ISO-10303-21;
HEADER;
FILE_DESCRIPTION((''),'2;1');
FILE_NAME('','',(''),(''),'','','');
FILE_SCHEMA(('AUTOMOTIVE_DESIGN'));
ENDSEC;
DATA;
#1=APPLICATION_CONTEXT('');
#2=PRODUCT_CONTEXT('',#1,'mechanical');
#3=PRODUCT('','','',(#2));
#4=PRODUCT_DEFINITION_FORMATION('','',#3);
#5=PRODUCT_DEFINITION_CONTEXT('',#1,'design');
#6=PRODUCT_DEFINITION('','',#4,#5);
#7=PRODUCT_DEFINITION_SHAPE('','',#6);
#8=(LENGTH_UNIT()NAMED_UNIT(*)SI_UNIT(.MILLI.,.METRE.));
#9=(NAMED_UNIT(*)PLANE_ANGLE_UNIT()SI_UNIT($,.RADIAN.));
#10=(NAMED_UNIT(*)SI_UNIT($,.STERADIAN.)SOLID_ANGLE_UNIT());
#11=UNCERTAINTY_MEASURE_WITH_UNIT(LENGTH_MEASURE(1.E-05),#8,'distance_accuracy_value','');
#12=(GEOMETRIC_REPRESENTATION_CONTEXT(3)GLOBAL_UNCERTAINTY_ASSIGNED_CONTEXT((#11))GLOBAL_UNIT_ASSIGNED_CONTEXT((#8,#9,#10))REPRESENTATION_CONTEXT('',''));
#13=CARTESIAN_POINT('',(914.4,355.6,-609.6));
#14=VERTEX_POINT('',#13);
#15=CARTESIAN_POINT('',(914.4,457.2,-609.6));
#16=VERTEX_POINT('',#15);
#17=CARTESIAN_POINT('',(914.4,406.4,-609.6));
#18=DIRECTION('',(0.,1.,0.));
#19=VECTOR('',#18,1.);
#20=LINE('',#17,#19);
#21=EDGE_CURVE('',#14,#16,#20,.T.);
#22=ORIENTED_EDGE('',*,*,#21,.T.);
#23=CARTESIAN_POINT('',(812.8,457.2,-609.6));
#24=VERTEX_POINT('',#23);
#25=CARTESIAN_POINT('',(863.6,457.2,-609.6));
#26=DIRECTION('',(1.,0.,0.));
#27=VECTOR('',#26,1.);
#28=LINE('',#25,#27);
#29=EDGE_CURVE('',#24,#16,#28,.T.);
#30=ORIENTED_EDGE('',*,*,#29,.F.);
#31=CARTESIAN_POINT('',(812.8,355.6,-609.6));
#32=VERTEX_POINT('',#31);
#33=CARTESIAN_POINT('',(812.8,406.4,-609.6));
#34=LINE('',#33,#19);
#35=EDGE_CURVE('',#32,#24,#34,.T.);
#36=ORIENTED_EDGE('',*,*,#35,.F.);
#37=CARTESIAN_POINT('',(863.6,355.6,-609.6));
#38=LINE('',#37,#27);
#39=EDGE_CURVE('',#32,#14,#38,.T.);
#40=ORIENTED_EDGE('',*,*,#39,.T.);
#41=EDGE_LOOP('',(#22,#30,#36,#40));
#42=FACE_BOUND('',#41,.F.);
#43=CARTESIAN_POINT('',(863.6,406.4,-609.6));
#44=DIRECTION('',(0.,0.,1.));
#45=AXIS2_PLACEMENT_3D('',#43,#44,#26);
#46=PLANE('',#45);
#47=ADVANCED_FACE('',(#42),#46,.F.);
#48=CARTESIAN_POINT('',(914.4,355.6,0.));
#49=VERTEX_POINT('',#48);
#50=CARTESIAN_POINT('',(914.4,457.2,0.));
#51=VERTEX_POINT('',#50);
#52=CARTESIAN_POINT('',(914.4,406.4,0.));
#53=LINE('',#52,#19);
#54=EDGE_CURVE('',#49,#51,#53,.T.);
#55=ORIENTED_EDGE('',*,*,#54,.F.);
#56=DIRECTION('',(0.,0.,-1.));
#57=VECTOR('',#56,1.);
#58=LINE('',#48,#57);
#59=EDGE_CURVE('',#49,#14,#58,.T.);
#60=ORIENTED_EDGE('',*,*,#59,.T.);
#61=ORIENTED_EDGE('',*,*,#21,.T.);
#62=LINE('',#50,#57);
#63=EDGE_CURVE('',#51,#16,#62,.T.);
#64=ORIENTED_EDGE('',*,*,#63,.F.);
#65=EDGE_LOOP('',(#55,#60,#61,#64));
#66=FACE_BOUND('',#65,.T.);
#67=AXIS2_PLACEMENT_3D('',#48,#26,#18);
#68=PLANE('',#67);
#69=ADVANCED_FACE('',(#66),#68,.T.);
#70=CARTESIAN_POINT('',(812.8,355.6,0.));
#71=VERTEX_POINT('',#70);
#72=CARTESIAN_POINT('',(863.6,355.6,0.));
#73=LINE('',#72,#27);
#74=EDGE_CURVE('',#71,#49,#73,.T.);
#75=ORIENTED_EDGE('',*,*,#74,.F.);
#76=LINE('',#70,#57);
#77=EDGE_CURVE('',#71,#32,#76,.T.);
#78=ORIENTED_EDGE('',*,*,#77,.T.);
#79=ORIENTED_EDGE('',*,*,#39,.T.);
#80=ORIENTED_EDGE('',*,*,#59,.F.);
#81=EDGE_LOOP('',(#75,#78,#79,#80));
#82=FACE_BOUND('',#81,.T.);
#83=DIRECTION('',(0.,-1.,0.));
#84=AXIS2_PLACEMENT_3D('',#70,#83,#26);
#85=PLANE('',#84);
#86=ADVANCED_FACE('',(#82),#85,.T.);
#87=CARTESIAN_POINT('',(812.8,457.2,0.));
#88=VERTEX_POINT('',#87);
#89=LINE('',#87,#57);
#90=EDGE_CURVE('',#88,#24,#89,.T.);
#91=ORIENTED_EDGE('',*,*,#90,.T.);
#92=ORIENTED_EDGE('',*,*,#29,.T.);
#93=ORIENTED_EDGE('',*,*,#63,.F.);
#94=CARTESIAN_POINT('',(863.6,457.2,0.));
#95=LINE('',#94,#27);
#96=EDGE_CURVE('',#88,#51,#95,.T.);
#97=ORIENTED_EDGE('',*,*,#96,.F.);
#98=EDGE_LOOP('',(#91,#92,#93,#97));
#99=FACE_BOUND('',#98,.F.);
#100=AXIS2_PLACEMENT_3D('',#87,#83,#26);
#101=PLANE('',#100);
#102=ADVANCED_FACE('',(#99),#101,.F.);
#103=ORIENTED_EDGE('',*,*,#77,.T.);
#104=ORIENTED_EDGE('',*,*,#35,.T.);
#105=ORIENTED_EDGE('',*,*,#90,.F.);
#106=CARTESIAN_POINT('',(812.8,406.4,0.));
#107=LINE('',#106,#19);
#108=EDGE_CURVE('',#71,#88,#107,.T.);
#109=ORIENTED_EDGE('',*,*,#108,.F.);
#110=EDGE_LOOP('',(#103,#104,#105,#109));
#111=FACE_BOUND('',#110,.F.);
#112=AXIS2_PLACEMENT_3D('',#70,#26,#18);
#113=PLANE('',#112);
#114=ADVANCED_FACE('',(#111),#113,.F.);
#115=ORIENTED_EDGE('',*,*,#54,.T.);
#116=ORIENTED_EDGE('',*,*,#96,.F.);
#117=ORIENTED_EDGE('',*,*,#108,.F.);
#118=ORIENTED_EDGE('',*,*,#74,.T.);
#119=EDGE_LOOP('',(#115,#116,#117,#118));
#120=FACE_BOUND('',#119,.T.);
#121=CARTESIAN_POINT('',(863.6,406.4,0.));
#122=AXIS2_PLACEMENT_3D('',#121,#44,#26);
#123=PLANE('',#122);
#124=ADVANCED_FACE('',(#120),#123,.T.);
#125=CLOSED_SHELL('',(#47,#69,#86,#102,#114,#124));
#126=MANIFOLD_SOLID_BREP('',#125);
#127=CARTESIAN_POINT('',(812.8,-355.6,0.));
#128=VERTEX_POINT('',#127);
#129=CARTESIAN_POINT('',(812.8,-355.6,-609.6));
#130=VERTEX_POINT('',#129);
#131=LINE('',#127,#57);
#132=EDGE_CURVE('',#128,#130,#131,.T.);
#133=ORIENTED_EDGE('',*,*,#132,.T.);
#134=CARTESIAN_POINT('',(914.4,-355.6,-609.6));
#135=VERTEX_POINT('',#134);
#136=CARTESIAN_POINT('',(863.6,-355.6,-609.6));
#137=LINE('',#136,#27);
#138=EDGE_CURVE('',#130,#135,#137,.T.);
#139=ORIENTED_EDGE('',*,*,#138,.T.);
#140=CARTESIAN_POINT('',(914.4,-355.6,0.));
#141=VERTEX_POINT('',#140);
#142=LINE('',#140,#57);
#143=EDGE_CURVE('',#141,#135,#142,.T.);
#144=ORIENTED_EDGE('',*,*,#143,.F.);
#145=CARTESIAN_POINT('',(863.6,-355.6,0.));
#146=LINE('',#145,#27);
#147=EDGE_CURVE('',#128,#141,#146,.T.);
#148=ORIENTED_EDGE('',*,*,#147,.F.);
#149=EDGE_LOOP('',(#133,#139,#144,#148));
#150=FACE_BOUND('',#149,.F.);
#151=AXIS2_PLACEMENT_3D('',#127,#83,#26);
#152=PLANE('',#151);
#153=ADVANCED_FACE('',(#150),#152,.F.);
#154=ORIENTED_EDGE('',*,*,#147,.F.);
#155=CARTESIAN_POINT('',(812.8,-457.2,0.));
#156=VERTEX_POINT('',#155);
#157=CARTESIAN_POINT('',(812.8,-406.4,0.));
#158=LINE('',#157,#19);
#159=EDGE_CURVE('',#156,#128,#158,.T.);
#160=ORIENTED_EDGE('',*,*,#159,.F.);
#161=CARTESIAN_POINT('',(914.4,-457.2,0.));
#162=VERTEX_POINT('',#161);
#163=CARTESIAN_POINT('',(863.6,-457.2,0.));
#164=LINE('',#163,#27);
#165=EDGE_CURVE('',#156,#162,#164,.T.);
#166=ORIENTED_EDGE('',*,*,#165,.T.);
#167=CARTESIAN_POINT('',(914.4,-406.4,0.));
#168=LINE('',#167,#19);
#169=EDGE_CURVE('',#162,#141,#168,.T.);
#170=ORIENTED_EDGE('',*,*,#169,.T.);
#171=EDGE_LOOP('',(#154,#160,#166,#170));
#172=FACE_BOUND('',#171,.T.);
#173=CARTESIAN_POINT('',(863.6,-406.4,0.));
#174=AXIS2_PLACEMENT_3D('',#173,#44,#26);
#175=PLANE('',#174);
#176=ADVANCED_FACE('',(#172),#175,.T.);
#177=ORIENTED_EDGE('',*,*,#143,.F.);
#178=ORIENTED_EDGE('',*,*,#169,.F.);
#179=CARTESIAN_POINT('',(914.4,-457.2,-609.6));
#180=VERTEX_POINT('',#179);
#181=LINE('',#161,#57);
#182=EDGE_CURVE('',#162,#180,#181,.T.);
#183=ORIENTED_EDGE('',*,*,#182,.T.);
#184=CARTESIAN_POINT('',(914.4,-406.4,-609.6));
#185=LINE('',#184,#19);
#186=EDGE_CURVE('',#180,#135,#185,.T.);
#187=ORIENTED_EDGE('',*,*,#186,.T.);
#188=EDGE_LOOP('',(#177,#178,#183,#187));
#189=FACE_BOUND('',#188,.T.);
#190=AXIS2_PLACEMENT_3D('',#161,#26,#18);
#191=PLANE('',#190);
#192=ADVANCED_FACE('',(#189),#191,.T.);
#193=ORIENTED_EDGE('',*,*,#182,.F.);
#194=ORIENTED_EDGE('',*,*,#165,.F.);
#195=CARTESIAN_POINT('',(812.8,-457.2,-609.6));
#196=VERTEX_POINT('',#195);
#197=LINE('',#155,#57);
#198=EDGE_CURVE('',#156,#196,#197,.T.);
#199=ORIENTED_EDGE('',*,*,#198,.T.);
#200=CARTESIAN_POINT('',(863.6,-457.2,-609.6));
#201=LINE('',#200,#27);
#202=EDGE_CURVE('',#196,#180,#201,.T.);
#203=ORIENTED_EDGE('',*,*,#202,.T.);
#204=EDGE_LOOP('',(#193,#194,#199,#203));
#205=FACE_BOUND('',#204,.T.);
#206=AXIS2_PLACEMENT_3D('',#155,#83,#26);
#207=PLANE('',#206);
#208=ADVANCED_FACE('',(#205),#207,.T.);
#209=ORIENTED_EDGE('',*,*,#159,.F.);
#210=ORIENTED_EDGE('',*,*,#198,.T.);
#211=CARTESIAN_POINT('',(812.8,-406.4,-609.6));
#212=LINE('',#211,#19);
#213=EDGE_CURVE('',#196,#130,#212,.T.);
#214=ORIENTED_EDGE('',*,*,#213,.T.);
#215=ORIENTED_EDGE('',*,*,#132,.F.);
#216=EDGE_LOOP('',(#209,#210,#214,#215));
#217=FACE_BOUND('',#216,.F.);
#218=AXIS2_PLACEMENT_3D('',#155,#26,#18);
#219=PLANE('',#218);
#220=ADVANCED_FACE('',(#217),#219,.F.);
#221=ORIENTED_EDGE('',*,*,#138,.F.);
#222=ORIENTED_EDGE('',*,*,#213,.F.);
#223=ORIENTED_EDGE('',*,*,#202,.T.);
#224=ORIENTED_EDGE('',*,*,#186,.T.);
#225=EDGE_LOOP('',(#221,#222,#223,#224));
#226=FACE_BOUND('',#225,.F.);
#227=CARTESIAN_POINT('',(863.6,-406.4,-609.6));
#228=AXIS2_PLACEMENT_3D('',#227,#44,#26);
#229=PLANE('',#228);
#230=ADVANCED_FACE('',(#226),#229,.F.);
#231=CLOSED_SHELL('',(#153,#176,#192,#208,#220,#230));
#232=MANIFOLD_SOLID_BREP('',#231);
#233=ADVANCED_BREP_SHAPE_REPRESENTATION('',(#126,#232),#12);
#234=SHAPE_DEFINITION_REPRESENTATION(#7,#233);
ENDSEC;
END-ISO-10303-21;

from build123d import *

# Parameters (mm, degrees)
F1_W     = 101.6
F1_H     = 101.6
F2_DEPTH = 609.6


with BuildPart() as f2:
    # F1 (on Top) → F2 (new body)
    with BuildSketch(Plane.XY):
        with Locations((863.6, -406.4)):
            Rectangle(F1_W, F1_H)
        with Locations((863.6, 406.4)):
            Rectangle(F1_W, F1_H)
    extrude(amount=-F2_DEPTH)


solid = f2.part
